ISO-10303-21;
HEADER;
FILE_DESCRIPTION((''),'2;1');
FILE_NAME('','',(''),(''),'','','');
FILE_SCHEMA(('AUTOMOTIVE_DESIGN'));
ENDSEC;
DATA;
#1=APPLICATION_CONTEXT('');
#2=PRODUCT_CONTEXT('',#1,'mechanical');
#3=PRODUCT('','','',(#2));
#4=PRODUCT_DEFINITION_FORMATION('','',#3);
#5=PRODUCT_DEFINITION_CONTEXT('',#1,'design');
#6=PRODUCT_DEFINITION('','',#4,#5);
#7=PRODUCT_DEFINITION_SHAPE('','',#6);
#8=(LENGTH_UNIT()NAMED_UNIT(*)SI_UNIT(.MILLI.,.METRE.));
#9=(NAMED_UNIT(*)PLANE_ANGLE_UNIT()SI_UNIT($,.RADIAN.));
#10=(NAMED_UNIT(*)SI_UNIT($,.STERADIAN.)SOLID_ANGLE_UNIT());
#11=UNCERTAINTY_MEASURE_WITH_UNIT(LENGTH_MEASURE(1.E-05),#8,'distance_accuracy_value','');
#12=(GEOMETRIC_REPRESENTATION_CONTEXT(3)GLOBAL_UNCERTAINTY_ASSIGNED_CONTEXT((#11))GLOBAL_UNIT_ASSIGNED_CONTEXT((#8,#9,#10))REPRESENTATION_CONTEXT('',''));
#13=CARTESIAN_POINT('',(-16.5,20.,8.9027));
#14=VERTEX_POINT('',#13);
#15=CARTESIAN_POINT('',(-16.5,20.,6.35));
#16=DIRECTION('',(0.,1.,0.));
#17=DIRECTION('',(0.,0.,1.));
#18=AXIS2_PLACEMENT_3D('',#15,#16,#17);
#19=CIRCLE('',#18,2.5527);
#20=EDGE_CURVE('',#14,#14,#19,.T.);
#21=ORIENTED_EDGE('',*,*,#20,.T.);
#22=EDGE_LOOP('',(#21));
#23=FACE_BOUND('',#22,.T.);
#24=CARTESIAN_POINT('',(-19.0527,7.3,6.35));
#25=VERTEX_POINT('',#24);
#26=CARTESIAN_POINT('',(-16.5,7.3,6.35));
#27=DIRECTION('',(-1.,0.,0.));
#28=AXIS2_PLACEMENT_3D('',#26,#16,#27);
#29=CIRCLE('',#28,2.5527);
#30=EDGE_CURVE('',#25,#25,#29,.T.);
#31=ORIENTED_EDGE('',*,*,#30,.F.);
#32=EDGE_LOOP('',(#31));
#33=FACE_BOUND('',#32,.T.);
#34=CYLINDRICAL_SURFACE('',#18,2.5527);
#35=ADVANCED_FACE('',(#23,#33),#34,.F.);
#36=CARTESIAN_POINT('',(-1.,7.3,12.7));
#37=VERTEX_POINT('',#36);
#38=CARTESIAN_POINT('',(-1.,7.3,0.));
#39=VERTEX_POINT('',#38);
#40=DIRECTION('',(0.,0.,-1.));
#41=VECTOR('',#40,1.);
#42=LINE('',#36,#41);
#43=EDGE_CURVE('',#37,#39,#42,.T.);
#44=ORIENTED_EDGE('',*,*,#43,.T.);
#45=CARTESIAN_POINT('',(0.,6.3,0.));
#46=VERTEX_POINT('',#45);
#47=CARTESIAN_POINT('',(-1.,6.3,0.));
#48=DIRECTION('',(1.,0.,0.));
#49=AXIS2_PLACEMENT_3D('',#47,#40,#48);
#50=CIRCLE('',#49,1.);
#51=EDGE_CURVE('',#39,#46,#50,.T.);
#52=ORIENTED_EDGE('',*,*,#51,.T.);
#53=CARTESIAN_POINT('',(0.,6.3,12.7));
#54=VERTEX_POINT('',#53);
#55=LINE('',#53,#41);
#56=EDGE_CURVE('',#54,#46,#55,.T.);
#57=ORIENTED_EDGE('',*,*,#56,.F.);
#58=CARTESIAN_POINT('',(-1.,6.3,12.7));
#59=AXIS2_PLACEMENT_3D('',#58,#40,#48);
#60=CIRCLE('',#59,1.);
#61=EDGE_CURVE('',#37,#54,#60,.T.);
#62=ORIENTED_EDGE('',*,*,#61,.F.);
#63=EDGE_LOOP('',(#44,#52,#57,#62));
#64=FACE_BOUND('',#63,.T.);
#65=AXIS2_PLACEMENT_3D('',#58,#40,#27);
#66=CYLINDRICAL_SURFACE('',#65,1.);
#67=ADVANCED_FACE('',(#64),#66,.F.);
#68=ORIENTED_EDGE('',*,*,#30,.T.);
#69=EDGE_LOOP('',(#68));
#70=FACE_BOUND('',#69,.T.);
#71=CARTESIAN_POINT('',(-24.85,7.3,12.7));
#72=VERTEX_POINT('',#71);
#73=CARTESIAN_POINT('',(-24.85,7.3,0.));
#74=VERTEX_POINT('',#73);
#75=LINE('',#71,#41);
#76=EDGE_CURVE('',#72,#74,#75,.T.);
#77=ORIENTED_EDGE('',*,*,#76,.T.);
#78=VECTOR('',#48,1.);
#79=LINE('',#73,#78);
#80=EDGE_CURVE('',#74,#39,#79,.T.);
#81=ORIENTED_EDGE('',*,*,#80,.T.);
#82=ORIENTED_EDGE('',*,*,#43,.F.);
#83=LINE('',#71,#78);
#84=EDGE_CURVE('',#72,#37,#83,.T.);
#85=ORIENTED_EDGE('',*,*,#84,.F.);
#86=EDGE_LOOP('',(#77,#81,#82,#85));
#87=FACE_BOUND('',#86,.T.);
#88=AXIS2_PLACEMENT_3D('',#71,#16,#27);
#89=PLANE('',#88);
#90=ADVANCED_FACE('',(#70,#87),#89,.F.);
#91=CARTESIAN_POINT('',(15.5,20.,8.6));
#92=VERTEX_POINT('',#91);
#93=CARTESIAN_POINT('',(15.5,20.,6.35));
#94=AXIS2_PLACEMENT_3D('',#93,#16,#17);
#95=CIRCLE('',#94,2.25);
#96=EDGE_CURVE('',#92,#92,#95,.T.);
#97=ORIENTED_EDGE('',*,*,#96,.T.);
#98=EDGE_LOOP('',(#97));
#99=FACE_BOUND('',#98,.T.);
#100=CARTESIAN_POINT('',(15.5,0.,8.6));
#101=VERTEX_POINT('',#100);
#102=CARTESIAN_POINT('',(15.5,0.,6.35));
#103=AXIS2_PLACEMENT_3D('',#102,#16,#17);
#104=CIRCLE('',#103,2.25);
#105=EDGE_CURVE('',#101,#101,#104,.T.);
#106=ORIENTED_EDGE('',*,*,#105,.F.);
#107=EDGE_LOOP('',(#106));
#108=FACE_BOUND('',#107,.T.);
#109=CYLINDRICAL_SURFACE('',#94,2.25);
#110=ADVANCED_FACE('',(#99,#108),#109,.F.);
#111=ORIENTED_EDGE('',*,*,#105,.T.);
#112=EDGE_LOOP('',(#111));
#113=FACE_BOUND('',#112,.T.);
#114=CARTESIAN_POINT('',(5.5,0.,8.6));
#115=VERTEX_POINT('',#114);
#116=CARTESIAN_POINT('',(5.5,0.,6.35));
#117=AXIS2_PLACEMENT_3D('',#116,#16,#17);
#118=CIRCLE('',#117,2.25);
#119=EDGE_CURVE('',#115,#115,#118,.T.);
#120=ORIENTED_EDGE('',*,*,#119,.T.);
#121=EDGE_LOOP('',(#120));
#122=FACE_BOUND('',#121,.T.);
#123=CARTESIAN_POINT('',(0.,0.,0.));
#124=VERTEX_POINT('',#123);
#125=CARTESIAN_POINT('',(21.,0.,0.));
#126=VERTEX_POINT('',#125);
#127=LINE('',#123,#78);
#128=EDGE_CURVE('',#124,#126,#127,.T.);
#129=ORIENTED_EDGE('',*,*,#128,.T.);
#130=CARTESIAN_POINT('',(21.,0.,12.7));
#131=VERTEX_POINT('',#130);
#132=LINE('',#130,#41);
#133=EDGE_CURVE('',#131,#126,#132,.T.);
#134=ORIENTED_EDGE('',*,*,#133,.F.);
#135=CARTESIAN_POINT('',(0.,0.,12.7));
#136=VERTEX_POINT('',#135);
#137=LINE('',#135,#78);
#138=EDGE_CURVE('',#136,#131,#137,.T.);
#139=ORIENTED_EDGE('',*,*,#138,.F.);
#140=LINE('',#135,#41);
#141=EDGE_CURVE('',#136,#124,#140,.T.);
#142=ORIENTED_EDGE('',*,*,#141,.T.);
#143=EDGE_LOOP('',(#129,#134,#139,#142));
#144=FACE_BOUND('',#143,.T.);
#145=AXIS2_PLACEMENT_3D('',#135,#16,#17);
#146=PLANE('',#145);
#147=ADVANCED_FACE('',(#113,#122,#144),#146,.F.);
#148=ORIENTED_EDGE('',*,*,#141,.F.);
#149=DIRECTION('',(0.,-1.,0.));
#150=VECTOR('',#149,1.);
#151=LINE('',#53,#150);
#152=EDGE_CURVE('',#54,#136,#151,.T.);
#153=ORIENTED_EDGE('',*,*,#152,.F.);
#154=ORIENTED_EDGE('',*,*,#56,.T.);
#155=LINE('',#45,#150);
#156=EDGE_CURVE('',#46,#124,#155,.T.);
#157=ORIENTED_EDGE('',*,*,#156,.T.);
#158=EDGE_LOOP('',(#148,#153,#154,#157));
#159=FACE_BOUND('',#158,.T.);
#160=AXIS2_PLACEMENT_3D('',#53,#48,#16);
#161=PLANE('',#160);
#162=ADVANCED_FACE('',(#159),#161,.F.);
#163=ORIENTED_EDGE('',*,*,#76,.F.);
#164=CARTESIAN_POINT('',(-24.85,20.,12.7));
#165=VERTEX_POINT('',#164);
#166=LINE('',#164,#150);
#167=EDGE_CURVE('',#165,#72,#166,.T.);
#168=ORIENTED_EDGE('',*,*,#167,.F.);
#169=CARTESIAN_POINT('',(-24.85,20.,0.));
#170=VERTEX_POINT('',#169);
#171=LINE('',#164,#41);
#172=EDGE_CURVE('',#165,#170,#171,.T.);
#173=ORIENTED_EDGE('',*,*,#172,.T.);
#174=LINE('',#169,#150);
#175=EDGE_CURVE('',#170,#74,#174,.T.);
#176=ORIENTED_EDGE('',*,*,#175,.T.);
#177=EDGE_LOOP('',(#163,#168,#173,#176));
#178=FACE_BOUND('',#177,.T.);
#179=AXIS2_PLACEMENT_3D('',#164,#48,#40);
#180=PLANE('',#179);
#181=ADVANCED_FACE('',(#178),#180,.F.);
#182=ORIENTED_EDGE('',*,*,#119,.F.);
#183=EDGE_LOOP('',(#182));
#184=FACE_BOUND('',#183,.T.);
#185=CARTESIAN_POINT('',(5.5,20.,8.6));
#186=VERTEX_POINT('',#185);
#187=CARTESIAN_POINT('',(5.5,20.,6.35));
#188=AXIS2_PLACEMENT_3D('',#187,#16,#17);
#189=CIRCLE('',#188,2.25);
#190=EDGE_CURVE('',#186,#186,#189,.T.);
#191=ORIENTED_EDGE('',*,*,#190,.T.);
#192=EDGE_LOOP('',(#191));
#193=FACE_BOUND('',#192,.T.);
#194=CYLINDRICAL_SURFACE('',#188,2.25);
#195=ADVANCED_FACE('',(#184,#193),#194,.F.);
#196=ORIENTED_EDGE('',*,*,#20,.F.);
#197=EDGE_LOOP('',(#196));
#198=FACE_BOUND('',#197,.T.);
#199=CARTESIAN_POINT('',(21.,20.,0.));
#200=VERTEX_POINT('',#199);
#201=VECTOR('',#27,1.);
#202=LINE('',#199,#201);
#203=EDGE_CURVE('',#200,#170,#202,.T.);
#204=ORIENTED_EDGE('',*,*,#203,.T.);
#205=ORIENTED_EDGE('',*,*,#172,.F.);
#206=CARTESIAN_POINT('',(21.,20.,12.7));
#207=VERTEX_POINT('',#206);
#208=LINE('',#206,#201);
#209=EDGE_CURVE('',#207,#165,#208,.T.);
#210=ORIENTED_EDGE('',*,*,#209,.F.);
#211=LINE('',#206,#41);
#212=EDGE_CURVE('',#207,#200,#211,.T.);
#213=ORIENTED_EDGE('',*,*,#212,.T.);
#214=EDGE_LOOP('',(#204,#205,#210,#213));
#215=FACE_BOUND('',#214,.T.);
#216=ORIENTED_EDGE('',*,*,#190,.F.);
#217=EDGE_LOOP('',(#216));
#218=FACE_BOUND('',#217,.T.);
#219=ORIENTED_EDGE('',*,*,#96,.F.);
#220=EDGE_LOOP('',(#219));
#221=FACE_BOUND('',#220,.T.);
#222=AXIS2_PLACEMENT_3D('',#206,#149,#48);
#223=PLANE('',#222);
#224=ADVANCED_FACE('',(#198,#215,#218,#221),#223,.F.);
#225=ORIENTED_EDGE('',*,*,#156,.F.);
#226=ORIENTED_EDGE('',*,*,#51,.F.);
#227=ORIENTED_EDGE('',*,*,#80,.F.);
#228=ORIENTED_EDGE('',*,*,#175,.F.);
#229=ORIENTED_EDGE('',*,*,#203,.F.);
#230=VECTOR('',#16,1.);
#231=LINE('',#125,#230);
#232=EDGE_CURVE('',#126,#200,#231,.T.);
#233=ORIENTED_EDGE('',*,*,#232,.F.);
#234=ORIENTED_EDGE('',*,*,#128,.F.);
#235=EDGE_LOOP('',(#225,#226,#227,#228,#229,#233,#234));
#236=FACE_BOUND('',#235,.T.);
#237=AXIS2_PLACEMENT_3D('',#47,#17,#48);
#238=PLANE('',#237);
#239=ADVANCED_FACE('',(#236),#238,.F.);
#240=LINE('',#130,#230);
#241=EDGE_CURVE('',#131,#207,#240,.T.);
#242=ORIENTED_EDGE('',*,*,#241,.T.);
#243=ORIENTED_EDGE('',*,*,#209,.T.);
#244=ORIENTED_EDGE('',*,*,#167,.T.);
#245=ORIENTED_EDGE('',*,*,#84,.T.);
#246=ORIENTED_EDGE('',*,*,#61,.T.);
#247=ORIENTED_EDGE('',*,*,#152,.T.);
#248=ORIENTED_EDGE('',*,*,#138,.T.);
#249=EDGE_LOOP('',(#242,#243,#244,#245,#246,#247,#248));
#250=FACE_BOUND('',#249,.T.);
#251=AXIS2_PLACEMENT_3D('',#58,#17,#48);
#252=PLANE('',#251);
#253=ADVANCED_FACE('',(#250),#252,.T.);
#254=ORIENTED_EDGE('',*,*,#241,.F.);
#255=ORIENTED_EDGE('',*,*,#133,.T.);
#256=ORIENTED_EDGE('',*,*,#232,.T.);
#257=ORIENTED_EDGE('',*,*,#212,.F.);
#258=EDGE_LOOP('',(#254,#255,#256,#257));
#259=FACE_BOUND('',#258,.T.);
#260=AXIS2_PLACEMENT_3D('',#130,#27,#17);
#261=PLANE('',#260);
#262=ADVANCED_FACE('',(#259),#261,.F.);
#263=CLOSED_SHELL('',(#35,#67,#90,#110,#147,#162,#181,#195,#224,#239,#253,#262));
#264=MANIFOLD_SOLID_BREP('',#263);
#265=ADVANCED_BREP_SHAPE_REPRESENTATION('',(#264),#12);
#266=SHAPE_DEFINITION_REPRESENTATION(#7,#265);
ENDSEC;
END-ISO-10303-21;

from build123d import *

# Parameters (mm, degrees)
BOSS_EXTRUDE1_DEPTH         = 12.7
M4_CLEARANCE_HOLE1_D        = 4.5
TAP_DRILL_FOR_1_4_20_TAP1_D = 5.1054


with BuildPart() as part:
    # Sketch1 → Boss-Extrude1 (new body)
    with BuildSketch(Plane.XY):
        with BuildLine():
            Line((0, 0), (21, 0))
            Line((21, 0), (21, 20))
            Line((21, 20), (-24.85, 20))
            Line((-24.85, 20), (-24.85, 7.3))
            Line((-24.85, 7.3), (-1, 7.3))
            ThreePointArc((-1, 7.3), (-0.292893219, 7.007106781), (0, 6.3))
            Line((0, 6.3), (0, 0))
        make_face()
    extrude(amount=BOSS_EXTRUDE1_DEPTH)

    # M4 Clearance Hole1 (through all)
    with Locations(Plane(origin=(0, 20, 0), x_dir=(1, 0, 0), z_dir=(0, 1, 0))):
        with Locations((5.5, -6.35), (15.5, -6.35)):
            Hole(M4_CLEARANCE_HOLE1_D / 2)

    # Tap Drill for 1/4-20 Tap1 (through all)
    with Locations(Plane(origin=(0, 20, 0), x_dir=(1, 0, 0), z_dir=(0, 1, 0))):
        with Locations((-16.5, -6.35)):
            Hole(TAP_DRILL_FOR_1_4_20_TAP1_D / 2)


solid = part.part
